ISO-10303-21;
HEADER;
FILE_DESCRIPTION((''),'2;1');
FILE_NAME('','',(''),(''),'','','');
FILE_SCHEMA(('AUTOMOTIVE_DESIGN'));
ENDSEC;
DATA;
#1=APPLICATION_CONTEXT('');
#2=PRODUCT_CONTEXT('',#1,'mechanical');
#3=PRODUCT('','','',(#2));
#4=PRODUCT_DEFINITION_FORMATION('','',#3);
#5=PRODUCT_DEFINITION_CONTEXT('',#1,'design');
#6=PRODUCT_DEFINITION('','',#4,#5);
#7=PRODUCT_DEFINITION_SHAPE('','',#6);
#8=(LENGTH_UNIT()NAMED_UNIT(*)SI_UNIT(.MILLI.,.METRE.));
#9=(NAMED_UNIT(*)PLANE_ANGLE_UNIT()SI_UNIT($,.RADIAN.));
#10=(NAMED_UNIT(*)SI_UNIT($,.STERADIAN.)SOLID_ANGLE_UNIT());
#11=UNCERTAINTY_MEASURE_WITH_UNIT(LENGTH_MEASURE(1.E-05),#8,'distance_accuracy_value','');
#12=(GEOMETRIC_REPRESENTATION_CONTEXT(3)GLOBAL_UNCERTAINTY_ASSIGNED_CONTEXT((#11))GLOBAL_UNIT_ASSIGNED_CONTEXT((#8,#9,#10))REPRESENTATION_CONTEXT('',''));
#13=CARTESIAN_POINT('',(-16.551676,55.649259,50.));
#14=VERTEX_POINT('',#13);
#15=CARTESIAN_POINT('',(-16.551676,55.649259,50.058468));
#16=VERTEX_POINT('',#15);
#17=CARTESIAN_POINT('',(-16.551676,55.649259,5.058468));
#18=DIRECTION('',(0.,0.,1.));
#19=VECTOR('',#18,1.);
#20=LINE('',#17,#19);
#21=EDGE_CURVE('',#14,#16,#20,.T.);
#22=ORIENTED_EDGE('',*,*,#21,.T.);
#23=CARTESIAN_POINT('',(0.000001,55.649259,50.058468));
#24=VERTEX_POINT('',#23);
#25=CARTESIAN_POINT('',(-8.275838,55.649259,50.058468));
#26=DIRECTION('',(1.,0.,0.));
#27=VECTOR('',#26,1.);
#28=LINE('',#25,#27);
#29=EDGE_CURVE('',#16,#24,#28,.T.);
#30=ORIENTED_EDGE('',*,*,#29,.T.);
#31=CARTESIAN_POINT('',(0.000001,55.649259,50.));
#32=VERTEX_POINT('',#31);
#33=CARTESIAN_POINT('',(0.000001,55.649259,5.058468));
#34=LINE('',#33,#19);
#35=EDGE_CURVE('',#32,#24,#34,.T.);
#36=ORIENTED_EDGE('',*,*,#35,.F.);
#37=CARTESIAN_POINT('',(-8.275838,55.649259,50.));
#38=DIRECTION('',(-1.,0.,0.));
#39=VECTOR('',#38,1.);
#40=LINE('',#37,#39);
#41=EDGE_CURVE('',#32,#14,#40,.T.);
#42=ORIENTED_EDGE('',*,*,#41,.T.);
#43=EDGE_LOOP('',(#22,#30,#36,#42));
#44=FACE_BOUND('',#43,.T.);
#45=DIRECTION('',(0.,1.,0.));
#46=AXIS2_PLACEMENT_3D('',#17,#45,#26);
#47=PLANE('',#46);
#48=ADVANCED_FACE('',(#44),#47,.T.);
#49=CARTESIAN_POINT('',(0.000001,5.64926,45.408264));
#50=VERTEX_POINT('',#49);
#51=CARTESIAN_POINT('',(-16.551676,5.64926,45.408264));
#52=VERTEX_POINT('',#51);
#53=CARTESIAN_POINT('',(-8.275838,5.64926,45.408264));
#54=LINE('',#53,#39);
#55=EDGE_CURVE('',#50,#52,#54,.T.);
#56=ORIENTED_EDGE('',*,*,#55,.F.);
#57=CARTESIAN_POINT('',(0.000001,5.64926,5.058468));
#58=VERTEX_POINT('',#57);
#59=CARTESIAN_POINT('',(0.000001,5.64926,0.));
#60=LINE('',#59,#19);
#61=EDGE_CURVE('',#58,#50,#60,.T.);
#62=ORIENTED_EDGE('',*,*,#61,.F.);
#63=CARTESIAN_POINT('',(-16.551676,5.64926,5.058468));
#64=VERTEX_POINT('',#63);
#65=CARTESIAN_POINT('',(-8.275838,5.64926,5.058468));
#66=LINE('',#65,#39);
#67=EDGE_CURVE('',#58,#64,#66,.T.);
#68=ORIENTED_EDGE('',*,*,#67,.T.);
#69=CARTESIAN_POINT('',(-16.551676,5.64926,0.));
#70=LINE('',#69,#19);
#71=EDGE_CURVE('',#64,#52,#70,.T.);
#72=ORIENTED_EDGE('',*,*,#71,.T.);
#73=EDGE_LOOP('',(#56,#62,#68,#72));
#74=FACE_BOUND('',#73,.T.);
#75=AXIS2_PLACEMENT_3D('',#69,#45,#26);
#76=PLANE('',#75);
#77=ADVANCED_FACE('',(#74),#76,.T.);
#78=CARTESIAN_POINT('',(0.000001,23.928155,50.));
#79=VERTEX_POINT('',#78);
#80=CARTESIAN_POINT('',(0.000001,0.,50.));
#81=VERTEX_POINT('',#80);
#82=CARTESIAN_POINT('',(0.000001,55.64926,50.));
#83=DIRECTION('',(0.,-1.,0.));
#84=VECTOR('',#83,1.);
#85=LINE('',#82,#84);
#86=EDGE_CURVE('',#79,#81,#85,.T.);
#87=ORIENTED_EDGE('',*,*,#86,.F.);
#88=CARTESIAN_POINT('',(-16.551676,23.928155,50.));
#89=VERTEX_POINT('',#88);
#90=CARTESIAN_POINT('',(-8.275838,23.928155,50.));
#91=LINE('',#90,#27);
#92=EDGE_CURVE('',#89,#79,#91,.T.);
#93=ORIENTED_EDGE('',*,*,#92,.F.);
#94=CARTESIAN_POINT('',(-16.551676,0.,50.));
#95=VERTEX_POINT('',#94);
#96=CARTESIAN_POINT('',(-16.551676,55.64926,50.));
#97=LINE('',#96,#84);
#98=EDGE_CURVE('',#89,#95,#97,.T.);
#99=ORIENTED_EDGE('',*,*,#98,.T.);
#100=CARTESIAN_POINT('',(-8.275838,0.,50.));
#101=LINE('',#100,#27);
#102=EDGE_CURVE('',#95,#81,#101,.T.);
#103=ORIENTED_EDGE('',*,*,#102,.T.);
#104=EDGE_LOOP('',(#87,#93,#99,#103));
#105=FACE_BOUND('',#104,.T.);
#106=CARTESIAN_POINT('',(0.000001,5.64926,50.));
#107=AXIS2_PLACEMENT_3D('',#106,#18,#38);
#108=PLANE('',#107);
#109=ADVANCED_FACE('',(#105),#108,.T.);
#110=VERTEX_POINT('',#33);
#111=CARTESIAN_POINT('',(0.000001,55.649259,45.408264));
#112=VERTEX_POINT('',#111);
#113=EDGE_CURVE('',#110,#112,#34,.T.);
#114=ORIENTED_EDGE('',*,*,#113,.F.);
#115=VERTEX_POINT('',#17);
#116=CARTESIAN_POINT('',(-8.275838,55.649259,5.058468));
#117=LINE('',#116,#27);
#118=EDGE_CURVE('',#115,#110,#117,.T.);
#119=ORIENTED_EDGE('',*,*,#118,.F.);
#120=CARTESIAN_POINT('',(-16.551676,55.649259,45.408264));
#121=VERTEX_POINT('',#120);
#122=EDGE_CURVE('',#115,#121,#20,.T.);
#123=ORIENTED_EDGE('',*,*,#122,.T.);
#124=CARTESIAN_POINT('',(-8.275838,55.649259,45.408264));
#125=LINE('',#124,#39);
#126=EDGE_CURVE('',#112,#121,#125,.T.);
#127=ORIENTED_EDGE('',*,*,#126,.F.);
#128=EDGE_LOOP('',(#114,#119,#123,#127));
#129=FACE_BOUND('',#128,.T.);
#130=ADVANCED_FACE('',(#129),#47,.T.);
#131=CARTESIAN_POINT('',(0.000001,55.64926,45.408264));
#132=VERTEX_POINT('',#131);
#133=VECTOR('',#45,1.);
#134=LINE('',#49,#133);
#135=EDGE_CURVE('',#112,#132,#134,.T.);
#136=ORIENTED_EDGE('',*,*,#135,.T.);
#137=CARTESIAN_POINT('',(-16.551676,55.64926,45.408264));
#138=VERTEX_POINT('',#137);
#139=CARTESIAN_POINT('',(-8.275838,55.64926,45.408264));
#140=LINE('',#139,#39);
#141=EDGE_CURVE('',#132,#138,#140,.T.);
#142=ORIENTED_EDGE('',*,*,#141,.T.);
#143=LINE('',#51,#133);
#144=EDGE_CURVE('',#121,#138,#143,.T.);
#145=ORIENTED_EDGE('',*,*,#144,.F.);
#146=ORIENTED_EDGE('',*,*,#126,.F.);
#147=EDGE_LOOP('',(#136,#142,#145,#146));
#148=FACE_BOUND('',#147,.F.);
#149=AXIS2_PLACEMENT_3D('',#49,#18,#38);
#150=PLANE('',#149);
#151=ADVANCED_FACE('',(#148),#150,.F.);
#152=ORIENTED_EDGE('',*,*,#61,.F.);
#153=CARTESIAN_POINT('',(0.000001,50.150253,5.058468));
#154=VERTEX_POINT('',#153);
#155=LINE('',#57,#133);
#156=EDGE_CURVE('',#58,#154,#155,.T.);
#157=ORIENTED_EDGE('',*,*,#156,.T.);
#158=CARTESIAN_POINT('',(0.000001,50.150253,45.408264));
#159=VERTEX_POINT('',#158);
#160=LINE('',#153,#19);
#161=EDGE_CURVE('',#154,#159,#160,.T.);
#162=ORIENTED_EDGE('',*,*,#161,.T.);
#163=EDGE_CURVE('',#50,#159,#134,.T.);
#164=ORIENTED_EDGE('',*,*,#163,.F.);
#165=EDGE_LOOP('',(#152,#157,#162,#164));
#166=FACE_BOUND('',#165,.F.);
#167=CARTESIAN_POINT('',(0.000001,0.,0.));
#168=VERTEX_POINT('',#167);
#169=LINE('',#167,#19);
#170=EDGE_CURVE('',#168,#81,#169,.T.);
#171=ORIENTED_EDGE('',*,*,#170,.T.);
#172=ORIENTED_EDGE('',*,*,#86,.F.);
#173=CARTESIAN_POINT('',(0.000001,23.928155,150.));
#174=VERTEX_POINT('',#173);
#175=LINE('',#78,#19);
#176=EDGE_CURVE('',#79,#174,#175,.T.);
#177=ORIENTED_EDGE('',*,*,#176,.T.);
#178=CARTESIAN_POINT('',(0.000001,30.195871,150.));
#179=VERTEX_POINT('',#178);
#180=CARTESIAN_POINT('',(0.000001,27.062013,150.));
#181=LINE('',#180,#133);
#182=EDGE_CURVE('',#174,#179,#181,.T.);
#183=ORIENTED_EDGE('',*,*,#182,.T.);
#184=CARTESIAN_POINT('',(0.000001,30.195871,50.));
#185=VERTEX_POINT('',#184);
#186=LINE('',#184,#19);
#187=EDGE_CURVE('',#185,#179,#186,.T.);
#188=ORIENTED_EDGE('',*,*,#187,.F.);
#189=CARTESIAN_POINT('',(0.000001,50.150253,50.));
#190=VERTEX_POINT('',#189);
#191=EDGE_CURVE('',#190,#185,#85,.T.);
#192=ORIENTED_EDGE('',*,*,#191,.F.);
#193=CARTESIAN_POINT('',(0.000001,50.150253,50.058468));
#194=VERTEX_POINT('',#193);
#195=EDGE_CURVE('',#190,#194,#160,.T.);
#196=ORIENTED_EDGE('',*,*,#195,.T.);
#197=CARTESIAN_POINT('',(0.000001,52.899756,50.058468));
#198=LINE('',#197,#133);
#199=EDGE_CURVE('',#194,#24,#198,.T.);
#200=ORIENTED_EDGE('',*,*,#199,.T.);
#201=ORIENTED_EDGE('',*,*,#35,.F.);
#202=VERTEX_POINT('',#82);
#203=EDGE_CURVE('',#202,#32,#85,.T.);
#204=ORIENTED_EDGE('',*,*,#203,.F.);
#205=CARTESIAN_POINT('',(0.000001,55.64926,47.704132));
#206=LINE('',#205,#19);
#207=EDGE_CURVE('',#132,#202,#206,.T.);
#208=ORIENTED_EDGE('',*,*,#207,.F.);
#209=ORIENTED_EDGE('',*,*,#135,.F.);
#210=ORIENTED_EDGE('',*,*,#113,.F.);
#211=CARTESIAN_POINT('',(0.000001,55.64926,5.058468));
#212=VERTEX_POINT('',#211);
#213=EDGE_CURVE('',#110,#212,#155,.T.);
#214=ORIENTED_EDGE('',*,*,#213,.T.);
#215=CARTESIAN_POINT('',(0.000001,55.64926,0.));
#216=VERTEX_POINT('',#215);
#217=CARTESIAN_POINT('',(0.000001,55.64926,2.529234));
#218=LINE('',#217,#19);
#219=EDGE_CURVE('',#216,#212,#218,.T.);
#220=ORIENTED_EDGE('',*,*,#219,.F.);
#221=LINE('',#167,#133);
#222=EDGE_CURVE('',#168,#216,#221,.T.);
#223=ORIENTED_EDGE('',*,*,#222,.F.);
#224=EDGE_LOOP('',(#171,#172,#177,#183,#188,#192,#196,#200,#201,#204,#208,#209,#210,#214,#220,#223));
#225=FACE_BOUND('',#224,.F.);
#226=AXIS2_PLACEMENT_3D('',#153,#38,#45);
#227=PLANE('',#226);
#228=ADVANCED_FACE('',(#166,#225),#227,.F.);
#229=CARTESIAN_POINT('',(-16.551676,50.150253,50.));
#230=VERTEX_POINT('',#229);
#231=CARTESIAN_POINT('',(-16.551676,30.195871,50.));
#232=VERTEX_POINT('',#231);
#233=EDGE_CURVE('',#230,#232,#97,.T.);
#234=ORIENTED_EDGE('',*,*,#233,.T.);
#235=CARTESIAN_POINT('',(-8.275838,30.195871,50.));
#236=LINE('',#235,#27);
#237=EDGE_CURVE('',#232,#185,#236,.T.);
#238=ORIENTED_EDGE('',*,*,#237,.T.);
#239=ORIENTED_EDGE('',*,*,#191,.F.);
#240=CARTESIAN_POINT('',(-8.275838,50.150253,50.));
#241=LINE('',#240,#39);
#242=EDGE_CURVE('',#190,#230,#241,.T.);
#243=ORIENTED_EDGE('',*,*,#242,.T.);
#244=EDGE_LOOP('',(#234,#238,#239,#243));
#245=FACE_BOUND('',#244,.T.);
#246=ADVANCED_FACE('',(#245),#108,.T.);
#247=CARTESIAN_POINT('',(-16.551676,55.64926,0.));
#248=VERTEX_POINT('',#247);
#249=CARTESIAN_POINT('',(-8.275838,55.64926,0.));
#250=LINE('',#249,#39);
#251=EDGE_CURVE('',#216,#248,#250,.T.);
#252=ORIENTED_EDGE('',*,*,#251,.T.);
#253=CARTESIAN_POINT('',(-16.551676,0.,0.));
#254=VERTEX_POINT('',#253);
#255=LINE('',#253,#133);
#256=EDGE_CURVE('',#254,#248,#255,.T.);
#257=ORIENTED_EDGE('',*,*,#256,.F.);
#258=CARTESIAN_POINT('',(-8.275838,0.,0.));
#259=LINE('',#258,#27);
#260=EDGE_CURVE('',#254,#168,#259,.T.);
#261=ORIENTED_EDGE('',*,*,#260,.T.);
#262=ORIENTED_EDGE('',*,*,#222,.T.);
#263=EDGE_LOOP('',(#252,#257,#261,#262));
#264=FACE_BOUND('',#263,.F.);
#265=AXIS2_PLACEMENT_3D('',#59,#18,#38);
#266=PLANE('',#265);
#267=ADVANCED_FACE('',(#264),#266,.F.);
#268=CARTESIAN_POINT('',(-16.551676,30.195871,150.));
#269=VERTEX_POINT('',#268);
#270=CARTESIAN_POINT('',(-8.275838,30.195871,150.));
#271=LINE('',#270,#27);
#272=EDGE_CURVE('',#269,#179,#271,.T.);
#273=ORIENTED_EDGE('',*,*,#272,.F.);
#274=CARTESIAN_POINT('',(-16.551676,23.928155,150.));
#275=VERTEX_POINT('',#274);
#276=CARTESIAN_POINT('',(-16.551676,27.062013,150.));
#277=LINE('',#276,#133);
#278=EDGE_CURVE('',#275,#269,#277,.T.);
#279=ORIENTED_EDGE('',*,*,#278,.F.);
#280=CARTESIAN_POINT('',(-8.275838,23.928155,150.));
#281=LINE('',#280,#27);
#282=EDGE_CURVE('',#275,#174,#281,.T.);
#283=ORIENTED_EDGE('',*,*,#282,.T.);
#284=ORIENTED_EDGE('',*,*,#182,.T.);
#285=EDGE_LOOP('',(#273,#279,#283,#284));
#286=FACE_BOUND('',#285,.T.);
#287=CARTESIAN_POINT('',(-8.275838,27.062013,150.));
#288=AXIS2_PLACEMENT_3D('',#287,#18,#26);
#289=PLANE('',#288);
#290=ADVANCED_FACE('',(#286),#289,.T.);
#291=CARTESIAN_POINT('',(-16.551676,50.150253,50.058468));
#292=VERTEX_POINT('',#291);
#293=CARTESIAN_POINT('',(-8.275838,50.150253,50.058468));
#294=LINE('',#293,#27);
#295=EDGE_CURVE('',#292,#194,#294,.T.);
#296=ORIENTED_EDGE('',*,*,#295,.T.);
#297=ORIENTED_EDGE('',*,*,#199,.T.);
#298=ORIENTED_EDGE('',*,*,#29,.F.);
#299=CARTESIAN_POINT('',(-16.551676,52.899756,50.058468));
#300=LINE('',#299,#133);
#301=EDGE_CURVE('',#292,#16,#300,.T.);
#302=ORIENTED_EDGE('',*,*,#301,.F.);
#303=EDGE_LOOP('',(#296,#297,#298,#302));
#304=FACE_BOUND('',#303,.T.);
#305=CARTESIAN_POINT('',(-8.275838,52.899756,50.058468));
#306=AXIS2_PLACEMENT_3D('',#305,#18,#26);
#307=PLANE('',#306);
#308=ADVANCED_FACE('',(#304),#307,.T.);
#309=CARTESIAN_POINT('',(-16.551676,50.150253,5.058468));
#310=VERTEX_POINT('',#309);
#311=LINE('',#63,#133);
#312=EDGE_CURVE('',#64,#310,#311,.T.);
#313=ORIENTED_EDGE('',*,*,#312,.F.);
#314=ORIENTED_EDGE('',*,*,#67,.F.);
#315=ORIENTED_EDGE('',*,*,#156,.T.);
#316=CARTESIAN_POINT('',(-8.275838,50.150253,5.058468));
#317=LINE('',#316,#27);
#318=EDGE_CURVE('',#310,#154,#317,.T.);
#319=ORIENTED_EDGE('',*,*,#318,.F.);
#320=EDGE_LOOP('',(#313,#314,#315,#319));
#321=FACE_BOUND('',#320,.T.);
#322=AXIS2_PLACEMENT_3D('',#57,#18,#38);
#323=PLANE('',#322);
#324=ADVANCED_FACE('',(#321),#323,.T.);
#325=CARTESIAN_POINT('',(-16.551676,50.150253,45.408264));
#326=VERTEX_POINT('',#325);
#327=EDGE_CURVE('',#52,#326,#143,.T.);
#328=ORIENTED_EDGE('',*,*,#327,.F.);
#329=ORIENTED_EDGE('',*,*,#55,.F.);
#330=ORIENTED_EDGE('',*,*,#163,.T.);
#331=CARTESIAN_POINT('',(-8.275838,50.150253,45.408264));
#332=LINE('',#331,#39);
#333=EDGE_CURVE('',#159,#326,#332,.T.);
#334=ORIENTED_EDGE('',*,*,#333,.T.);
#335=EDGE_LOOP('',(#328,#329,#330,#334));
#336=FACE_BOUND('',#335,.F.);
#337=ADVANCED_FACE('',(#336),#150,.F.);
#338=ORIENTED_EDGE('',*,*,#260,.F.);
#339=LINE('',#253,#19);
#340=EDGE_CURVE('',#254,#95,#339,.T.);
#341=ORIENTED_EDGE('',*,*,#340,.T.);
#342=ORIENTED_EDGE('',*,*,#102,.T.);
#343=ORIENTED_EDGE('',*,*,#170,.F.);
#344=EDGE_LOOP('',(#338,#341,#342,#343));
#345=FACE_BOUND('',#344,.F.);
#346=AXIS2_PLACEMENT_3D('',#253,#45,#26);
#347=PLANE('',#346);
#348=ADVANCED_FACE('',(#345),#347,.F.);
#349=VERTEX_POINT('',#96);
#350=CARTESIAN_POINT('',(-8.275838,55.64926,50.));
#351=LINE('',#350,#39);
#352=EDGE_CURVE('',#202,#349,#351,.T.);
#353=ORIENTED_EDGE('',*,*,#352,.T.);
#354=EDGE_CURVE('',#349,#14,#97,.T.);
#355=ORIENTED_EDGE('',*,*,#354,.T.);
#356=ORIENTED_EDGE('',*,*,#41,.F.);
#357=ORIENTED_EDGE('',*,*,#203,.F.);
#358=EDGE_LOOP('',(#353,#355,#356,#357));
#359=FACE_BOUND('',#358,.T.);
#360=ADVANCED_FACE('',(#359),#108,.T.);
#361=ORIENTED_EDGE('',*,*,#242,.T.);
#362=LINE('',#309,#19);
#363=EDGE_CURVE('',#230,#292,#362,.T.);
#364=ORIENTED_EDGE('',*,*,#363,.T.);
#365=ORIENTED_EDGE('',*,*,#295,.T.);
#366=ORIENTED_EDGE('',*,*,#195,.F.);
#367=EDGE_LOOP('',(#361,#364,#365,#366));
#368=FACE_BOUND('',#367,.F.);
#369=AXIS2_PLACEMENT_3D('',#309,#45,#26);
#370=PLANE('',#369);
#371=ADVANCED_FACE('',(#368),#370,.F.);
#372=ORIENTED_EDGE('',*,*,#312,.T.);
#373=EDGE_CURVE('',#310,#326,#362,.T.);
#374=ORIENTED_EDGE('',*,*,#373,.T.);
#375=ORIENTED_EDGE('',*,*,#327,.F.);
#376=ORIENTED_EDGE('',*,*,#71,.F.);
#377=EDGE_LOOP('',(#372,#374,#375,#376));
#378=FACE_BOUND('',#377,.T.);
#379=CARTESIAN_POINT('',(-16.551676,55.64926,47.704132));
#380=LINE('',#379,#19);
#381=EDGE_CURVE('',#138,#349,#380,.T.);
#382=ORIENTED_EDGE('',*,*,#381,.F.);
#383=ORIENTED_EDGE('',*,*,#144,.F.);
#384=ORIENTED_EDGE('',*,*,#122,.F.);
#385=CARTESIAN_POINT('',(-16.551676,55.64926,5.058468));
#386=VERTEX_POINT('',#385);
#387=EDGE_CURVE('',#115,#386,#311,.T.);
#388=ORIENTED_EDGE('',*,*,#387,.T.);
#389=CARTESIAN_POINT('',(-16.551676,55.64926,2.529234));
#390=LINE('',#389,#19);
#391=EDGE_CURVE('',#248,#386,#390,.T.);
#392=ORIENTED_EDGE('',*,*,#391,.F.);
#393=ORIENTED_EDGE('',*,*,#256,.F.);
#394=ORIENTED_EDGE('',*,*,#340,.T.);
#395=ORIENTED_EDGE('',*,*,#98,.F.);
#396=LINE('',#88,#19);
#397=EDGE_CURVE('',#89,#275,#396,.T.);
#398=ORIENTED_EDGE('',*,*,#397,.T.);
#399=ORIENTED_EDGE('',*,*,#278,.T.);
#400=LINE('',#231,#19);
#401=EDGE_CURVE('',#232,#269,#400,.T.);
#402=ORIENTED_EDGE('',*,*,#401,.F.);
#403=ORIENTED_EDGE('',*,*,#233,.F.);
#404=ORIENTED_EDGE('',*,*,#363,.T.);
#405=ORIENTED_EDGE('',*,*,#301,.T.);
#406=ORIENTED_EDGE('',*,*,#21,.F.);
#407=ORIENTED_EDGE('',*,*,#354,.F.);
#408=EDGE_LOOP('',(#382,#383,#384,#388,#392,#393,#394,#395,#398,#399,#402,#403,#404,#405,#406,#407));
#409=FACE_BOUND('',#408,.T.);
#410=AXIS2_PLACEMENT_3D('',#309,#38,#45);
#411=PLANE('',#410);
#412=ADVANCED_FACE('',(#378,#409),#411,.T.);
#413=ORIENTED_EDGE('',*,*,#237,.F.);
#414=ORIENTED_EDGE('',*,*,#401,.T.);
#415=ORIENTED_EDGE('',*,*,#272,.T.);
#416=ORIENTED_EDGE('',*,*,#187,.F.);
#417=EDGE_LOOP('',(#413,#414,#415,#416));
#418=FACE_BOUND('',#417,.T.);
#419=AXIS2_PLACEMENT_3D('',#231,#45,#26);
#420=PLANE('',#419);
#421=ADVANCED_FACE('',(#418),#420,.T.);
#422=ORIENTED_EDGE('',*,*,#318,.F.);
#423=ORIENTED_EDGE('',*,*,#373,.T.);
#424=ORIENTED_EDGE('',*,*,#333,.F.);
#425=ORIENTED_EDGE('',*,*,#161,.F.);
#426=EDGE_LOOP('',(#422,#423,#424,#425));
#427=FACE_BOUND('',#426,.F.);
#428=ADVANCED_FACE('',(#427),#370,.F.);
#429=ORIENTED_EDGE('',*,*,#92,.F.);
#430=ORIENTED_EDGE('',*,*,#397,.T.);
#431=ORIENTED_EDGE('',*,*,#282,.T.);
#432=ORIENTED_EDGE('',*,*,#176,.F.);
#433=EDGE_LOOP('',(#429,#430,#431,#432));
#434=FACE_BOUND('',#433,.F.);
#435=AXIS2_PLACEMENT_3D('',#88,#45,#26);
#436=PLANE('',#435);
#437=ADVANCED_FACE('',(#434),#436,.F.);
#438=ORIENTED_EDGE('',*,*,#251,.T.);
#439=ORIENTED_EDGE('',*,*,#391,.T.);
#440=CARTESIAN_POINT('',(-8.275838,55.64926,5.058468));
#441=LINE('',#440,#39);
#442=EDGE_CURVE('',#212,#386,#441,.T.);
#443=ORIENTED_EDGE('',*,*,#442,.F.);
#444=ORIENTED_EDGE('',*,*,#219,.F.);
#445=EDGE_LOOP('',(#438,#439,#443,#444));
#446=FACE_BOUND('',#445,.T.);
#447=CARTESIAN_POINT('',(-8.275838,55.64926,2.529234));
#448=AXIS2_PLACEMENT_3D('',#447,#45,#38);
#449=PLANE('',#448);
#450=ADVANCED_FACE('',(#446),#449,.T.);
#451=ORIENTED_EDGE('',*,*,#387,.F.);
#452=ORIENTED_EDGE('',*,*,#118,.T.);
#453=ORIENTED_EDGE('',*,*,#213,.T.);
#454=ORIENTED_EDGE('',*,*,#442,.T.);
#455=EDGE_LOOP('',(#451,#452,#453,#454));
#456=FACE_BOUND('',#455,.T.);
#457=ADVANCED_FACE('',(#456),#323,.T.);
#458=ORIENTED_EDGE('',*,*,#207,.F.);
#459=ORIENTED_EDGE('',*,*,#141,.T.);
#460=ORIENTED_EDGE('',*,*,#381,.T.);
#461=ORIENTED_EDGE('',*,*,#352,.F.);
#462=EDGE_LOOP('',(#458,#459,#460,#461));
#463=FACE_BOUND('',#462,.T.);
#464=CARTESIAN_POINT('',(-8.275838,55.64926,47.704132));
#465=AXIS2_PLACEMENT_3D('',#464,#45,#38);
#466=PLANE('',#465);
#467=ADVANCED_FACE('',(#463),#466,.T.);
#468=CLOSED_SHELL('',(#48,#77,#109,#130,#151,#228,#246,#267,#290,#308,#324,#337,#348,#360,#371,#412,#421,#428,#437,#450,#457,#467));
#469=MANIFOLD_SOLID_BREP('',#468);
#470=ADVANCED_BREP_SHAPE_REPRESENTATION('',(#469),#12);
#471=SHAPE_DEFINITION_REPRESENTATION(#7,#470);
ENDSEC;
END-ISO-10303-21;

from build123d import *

# Parameters (mm, degrees)
F0_W     = 16.551677
F0_H     = 5.64926
F1_DEPTH = 50
F2_W     = 16.551677
F2_H     = 4.591736
F3_DEPTH = 50
F4_W     = 16.551677
F4_H     = 5.058468
F5_DEPTH = 50
F6_W     = 16.551677
F6_H     = 5.499007
F7_DEPTH = 45
F8_W     = 16.551677
F8_H     = 6.267717
F9_DEPTH = 100


with BuildPart() as f1:
    # F0 (on Top) → F1 (new body)
    with BuildSketch(Plane.XY):
        with Locations((-8.275838, 2.82463)):
            Rectangle(F0_W, F0_H)
    extrude(amount=F1_DEPTH)

    # F2 (on face) → F3 (join)
    with BuildSketch(Plane(origin=(0, 5.64926, 0), x_dir=(-1, 0, 0), z_dir=(0, 1, 0))):
        with Locations((8.275838, 47.704132)):
            Rectangle(F2_W, F2_H)
    extrude(amount=F3_DEPTH)

    # F4 (on face) → F5 (join)
    with BuildSketch(Plane(origin=(0, 5.64926, 0), x_dir=(-1, 0, 0), z_dir=(0, 1, 0))):
        with Locations((8.275838, 2.529234)):
            Rectangle(F4_W, F4_H)
    extrude(amount=F5_DEPTH)

    # F6 (on face) → F7 (join)
    with BuildSketch(Plane.XY.offset(5.058468)):
        with Locations((-8.275838, 52.899756)):
            Rectangle(F6_W, F6_H)
    extrude(amount=F7_DEPTH)

    # F8 (on face) → F9 (join)
    with BuildSketch(Plane.XY.offset(50)):
        with Locations((-8.275838, 27.062013)):
            Rectangle(F8_W, F8_H)
    extrude(amount=F9_DEPTH)


solid = f1.part
